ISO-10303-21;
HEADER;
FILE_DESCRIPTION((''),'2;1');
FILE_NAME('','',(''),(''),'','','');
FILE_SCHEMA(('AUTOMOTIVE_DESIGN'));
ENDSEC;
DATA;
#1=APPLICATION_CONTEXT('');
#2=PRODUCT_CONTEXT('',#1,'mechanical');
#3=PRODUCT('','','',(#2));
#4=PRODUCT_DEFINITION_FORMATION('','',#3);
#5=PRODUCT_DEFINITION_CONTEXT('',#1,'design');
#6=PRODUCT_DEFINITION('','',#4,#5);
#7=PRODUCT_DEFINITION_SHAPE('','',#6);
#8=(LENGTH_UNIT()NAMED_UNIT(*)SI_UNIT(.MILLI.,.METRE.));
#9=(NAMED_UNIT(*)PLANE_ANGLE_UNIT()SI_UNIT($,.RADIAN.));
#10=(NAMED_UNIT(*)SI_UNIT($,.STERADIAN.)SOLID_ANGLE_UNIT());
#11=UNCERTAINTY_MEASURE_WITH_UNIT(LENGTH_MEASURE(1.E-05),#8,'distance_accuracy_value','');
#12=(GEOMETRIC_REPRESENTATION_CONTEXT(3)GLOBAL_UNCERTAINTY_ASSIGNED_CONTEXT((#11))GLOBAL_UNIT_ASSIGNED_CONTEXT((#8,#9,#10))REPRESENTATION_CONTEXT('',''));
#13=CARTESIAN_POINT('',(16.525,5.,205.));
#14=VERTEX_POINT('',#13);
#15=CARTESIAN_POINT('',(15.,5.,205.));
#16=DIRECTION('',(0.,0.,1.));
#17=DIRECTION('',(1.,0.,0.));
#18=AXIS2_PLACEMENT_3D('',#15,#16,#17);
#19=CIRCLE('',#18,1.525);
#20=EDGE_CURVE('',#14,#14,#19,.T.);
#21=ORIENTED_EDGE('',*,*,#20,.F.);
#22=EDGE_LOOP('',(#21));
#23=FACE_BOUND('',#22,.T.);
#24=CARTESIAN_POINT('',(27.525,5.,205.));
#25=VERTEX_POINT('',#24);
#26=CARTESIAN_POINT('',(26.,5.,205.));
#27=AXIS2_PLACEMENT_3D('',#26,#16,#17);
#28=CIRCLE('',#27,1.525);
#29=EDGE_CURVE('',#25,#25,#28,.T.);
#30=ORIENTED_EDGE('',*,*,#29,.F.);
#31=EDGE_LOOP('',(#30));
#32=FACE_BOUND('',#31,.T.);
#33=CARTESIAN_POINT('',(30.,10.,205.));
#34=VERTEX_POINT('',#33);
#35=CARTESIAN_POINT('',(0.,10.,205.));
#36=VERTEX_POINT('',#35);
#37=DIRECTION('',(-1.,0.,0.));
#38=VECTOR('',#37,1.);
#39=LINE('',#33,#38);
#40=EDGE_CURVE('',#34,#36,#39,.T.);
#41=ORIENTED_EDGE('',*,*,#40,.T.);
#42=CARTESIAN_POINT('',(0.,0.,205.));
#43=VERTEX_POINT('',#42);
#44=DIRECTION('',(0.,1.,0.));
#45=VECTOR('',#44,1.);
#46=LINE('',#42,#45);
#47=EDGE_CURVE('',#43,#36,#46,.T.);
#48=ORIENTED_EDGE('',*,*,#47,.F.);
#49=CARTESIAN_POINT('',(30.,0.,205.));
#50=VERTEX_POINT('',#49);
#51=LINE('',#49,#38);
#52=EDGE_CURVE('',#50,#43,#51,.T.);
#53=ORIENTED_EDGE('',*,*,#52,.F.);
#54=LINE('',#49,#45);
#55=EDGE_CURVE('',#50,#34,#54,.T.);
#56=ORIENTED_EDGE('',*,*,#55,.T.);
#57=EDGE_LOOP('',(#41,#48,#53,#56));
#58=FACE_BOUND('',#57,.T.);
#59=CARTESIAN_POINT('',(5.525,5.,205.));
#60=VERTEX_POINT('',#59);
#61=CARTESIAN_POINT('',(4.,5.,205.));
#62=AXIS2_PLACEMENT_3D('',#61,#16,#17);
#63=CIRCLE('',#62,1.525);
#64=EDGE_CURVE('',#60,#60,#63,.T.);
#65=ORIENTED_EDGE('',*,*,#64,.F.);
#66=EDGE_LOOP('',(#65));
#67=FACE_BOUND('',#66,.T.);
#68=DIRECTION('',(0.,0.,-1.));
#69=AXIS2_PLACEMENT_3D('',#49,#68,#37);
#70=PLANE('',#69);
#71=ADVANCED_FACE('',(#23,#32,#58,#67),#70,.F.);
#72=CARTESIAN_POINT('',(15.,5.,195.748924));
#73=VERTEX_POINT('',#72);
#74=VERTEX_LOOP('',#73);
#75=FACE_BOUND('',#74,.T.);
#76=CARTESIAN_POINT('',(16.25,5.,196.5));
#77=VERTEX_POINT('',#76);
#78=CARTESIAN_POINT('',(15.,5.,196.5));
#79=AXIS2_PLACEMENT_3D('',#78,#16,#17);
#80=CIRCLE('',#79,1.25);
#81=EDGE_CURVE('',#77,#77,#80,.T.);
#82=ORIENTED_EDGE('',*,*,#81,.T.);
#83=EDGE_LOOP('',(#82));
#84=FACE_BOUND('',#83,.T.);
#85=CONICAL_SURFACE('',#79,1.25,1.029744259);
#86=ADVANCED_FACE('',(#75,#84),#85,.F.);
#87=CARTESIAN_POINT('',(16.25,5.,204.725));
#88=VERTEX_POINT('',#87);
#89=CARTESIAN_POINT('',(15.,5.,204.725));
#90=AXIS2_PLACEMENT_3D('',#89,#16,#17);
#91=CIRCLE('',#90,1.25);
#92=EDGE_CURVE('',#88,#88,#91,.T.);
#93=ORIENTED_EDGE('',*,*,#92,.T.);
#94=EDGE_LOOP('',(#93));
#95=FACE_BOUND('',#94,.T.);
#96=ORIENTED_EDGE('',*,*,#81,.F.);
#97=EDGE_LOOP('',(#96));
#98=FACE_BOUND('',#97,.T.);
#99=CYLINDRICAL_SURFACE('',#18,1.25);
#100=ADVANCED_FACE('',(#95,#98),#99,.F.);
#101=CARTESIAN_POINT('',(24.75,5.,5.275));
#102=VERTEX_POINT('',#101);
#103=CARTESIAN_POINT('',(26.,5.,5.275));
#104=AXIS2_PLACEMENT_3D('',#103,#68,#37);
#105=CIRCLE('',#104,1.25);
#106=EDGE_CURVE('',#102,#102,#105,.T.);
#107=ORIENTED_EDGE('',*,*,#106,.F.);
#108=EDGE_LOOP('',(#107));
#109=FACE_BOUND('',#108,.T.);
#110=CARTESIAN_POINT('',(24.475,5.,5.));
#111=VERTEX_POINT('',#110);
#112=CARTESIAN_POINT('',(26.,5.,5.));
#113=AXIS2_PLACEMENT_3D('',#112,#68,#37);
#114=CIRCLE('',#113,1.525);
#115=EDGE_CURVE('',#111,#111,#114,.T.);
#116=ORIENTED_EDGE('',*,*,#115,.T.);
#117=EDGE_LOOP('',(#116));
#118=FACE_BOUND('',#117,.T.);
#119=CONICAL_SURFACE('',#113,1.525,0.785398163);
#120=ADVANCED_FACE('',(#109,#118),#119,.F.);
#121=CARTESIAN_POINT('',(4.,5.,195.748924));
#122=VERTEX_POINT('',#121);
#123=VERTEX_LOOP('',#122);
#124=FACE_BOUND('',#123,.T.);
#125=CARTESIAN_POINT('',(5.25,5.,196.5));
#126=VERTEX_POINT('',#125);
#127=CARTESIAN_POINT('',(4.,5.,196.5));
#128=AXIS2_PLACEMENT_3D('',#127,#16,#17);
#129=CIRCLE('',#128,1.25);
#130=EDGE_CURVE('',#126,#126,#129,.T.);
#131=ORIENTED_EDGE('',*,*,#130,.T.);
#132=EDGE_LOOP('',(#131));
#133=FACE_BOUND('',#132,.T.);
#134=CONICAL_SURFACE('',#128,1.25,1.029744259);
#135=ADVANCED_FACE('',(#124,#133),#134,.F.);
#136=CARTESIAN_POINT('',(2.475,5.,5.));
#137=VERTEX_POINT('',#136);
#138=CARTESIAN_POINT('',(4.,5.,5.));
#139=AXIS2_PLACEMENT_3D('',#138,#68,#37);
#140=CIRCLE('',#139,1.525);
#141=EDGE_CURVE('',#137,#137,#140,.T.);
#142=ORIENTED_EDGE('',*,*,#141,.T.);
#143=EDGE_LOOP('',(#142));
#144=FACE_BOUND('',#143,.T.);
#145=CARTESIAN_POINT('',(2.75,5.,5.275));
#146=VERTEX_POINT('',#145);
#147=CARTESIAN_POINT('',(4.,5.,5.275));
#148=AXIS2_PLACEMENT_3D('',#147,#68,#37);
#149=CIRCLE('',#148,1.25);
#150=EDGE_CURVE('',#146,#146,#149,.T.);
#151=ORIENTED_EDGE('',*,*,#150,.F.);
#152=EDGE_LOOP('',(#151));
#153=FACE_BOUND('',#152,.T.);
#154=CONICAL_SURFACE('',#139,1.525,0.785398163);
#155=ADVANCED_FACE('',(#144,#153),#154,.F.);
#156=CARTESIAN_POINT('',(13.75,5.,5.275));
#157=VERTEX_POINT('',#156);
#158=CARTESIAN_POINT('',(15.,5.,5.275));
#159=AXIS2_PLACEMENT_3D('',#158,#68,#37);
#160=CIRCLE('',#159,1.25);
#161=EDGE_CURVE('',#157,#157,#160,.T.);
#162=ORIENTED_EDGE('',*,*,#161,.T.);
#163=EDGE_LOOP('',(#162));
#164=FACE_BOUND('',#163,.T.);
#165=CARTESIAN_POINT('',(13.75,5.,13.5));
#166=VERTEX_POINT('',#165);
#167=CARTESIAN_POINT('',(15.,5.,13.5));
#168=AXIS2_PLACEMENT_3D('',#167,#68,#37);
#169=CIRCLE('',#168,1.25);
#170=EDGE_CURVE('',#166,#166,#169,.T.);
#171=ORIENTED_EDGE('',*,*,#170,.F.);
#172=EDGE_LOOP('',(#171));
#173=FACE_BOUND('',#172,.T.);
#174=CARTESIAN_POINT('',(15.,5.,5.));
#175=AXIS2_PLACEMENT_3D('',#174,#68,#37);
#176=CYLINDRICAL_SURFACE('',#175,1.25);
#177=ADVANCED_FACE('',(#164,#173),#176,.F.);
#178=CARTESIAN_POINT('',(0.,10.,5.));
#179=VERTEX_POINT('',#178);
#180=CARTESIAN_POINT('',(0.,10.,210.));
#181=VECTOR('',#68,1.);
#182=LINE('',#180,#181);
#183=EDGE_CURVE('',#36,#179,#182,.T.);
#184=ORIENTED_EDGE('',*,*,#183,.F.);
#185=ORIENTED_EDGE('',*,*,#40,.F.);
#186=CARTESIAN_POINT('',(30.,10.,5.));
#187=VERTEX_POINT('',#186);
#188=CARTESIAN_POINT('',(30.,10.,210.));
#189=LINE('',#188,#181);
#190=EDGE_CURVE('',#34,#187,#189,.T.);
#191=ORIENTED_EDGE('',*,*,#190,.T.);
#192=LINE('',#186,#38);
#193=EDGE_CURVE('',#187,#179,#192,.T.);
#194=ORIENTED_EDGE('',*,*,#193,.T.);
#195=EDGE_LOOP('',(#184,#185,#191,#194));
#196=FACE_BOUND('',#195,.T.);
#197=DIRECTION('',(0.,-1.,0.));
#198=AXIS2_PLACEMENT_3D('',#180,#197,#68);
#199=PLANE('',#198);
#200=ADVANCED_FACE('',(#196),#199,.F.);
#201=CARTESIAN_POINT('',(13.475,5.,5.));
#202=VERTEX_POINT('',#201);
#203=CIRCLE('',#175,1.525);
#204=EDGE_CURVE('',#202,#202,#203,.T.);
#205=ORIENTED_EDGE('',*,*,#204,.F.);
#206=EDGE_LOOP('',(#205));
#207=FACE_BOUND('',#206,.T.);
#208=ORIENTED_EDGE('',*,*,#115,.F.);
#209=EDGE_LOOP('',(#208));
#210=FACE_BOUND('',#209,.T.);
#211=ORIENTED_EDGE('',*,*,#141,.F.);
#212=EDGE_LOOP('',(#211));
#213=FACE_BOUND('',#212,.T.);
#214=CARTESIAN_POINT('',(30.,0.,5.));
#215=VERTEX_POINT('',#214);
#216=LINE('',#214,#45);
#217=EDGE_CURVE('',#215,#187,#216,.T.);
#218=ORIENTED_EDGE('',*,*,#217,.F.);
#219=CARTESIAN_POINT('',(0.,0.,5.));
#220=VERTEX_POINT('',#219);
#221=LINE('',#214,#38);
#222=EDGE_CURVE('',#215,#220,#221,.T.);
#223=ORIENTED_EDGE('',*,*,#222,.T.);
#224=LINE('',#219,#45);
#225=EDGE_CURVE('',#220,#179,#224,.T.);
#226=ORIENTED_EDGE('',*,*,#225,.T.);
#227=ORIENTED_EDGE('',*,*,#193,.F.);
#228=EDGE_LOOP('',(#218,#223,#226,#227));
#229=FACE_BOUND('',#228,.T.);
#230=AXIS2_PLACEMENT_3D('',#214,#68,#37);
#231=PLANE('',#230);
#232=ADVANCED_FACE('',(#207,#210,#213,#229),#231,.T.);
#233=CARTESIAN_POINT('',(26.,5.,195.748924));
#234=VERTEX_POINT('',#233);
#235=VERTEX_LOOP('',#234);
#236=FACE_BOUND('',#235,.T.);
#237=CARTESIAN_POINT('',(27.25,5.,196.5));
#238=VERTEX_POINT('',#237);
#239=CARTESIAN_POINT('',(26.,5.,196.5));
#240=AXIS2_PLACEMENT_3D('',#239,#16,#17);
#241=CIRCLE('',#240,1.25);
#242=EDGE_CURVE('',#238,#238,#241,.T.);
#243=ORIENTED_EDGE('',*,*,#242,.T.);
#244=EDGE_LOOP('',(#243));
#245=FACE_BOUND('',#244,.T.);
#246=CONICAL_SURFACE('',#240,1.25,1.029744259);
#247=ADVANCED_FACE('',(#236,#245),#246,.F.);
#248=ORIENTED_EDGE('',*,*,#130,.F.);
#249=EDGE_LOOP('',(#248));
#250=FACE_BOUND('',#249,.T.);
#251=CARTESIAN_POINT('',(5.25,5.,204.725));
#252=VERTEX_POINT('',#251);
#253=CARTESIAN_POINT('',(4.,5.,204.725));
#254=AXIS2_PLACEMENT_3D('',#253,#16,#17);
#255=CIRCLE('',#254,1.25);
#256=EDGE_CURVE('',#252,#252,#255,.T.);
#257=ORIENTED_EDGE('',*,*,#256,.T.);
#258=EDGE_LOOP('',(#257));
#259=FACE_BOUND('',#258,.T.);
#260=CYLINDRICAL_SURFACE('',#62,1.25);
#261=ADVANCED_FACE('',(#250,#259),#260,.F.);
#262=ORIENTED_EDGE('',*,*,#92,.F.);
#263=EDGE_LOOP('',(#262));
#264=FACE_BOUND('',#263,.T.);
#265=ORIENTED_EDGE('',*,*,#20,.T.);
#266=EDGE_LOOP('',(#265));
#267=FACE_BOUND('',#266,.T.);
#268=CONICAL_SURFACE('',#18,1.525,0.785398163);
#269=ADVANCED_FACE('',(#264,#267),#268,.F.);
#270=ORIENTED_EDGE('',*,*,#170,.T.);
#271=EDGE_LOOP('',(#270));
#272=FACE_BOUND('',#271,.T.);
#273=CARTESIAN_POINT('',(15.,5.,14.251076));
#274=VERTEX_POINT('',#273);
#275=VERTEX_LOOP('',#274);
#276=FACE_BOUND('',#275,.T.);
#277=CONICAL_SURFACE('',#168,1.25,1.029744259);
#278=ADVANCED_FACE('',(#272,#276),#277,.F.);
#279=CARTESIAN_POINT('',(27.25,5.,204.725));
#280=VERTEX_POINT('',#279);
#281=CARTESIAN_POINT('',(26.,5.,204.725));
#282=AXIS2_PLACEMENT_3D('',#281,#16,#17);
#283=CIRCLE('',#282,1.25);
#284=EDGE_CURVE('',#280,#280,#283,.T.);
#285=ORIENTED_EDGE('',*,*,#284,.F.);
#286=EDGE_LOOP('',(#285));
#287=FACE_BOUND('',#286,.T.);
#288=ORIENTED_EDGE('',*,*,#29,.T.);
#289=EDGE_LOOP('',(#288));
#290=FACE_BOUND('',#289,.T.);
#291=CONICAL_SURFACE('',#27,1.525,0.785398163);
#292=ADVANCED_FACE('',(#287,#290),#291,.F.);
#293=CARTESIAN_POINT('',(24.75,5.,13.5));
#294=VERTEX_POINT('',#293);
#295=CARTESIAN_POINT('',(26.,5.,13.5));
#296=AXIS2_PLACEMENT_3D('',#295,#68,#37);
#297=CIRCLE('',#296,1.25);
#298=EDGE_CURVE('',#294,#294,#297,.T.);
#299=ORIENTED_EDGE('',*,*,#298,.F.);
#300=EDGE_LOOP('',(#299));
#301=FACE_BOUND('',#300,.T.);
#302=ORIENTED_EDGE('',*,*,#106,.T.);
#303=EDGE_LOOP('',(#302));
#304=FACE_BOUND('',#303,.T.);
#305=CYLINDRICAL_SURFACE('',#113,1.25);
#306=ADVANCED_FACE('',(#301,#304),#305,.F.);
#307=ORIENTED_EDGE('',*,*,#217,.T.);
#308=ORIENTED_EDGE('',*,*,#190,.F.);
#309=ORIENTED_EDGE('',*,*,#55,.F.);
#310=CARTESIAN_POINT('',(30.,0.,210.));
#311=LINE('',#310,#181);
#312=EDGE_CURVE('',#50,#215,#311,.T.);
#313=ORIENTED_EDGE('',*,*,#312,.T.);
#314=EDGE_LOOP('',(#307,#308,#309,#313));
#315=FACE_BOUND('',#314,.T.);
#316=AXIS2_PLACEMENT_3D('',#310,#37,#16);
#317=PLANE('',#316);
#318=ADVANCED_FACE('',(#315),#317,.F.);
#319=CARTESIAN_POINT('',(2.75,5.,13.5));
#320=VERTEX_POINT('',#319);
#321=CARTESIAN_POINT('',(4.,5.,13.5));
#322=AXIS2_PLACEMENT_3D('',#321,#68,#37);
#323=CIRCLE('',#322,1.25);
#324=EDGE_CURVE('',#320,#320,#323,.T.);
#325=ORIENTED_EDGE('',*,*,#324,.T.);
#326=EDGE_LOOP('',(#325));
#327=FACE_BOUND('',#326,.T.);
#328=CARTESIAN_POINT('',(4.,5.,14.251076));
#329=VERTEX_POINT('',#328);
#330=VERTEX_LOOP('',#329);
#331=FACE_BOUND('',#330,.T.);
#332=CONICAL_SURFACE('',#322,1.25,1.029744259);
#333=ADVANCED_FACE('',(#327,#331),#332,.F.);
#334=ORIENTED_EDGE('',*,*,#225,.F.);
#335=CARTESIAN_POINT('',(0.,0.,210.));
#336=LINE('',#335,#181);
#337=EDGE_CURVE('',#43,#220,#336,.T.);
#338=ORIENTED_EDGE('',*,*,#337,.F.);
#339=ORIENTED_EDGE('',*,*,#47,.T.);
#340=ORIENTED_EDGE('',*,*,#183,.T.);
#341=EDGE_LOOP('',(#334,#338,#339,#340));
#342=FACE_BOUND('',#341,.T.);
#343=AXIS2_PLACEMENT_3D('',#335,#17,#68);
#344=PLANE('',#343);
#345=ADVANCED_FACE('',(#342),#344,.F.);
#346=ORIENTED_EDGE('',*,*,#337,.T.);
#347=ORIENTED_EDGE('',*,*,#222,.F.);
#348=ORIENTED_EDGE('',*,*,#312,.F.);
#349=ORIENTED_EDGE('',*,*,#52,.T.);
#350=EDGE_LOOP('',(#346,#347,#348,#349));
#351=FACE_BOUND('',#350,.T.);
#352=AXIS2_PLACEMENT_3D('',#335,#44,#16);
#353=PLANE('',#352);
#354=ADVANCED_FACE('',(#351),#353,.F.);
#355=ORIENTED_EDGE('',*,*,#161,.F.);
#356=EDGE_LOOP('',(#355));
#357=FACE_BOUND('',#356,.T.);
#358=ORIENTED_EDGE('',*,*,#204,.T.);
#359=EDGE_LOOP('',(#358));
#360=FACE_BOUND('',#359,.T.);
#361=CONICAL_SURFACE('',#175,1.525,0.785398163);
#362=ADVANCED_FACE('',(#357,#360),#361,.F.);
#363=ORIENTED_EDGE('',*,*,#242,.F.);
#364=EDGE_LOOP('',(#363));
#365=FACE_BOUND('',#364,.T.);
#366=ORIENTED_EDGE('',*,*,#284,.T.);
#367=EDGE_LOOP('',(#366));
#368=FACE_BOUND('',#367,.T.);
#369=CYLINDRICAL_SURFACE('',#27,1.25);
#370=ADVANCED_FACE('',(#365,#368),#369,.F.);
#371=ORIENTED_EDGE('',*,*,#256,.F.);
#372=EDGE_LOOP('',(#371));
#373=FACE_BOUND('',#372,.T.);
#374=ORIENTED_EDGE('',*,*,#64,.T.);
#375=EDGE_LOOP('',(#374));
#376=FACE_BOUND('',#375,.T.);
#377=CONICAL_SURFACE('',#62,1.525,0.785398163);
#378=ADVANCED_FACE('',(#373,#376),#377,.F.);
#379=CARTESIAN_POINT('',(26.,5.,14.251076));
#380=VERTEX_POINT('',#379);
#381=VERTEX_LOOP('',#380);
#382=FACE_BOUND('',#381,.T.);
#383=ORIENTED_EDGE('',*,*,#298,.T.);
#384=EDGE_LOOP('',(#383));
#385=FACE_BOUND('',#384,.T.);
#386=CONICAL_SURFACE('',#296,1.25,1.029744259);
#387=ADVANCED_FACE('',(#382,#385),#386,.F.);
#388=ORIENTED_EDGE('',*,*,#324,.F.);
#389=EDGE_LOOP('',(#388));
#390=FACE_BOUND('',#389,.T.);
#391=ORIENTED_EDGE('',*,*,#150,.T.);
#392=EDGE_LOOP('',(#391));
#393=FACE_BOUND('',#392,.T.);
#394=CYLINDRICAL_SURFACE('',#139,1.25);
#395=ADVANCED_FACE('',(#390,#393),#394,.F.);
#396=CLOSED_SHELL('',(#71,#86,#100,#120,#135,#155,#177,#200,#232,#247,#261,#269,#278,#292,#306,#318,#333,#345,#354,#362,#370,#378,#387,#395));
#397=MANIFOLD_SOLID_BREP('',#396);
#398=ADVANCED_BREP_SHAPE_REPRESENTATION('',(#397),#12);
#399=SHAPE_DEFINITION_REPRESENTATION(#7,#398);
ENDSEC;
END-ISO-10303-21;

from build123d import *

# Parameters (mm, degrees)
SKETCH1_W                  = 30
SKETCH1_H                  = 10
BOSS_EXTRUDE1_DEPTH        = 210
SKETCH3_W                  = 30
SKETCH3_H                  = 5
CUT_EXTRUDE3_DEPTH         = 10
M3_TAPPED_HOLE1_AT_2_COUNT = 2
M3_TAPPED_HOLE1_AT_2_PITCH = 11
M3_TAPPED_HOLE1_AT_3_COUNT = 2
M3_TAPPED_HOLE1_AT_3_PITCH = 22


with BuildPart() as part:
    # Sketch1 → Boss-Extrude1 (new body)
    with BuildSketch(Plane.XY):
        with Locations((15, 5)):
            Rectangle(SKETCH1_W, SKETCH1_H)
    extrude(amount=BOSS_EXTRUDE1_DEPTH)

    # Sketch3 → Cut-Extrude3 (cut)
    with BuildSketch(Plane(origin=(0, 10, 0), x_dir=(1, 0, 0), z_dir=(0, 1, 0))):
        with Locations((15, -207.5)):
            Rectangle(SKETCH3_W, SKETCH3_H)
    cut_extrude3 = extrude(amount=-CUT_EXTRUDE3_DEPTH, mode=Mode.SUBTRACT)

    # Mirror2: Cut-Extrude3 across plane
    add(cut_extrude3.mirror(Plane(origin=(0, 0, 105), x_dir=(1, 0, 0), z_dir=(0, 0, -1))), mode=Mode.SUBTRACT)

    # Sketch6 → M3 Tapped Hole1 (revolve, cut)
    with BuildSketch(Plane(origin=(4, 5, 205), x_dir=(0, -1, 0), z_dir=(1, 0, 0))):
        Polygon((0, 0), (0, 9.251075774), (1.25, 8.5), (1.25, 0.275), (1.525, 0), align=None)
    m3_tapped_hole1 = revolve(axis=Axis((4, 5, 211.35), (0, 0, -1)), mode=Mode.SUBTRACT)

    # M3 Tapped Hole1 at 2: M3 Tapped Hole1 ×2
    with Locations(*[(i * M3_TAPPED_HOLE1_AT_2_PITCH, 0, 0) for i in range(1, M3_TAPPED_HOLE1_AT_2_COUNT)]):
        add(m3_tapped_hole1, mode=Mode.SUBTRACT)

    # M3 Tapped Hole1 at 3: M3 Tapped Hole1 ×2
    with Locations(*[(i * M3_TAPPED_HOLE1_AT_3_PITCH, 0, 0) for i in range(1, M3_TAPPED_HOLE1_AT_3_COUNT)]):
        add(m3_tapped_hole1, mode=Mode.SUBTRACT)

    # Mirror3: M3 Tapped Hole1 across plane
    add(m3_tapped_hole1.mirror(Plane.XY.offset(105)), mode=Mode.SUBTRACT)

    # Mirror3 copy 1 sketch → Mirror3 copy 1 (revolve, cut)
    with BuildSketch(Plane(origin=(15, 5, 5), x_dir=(0, -1, 0), z_dir=(1, 0, 0))):
        Polygon((0, 0), (0, -9.251075774), (1.25, -8.5), (1.25, -0.275), (1.525, 0), align=None)
    revolve(axis=Axis((15, 5, -1.35), (0, 0, -1)), mode=Mode.SUBTRACT)

    # Mirror3 copy 2 sketch → Mirror3 copy 2 (revolve, cut)
    with BuildSketch(Plane(origin=(26, 5, 5), x_dir=(0, -1, 0), z_dir=(1, 0, 0))):
        Polygon((0, 0), (0, -9.251075774), (1.25, -8.5), (1.25, -0.275), (1.525, 0), align=None)
    revolve(axis=Axis((26, 5, -1.35), (0, 0, -1)), mode=Mode.SUBTRACT)


solid = part.part
